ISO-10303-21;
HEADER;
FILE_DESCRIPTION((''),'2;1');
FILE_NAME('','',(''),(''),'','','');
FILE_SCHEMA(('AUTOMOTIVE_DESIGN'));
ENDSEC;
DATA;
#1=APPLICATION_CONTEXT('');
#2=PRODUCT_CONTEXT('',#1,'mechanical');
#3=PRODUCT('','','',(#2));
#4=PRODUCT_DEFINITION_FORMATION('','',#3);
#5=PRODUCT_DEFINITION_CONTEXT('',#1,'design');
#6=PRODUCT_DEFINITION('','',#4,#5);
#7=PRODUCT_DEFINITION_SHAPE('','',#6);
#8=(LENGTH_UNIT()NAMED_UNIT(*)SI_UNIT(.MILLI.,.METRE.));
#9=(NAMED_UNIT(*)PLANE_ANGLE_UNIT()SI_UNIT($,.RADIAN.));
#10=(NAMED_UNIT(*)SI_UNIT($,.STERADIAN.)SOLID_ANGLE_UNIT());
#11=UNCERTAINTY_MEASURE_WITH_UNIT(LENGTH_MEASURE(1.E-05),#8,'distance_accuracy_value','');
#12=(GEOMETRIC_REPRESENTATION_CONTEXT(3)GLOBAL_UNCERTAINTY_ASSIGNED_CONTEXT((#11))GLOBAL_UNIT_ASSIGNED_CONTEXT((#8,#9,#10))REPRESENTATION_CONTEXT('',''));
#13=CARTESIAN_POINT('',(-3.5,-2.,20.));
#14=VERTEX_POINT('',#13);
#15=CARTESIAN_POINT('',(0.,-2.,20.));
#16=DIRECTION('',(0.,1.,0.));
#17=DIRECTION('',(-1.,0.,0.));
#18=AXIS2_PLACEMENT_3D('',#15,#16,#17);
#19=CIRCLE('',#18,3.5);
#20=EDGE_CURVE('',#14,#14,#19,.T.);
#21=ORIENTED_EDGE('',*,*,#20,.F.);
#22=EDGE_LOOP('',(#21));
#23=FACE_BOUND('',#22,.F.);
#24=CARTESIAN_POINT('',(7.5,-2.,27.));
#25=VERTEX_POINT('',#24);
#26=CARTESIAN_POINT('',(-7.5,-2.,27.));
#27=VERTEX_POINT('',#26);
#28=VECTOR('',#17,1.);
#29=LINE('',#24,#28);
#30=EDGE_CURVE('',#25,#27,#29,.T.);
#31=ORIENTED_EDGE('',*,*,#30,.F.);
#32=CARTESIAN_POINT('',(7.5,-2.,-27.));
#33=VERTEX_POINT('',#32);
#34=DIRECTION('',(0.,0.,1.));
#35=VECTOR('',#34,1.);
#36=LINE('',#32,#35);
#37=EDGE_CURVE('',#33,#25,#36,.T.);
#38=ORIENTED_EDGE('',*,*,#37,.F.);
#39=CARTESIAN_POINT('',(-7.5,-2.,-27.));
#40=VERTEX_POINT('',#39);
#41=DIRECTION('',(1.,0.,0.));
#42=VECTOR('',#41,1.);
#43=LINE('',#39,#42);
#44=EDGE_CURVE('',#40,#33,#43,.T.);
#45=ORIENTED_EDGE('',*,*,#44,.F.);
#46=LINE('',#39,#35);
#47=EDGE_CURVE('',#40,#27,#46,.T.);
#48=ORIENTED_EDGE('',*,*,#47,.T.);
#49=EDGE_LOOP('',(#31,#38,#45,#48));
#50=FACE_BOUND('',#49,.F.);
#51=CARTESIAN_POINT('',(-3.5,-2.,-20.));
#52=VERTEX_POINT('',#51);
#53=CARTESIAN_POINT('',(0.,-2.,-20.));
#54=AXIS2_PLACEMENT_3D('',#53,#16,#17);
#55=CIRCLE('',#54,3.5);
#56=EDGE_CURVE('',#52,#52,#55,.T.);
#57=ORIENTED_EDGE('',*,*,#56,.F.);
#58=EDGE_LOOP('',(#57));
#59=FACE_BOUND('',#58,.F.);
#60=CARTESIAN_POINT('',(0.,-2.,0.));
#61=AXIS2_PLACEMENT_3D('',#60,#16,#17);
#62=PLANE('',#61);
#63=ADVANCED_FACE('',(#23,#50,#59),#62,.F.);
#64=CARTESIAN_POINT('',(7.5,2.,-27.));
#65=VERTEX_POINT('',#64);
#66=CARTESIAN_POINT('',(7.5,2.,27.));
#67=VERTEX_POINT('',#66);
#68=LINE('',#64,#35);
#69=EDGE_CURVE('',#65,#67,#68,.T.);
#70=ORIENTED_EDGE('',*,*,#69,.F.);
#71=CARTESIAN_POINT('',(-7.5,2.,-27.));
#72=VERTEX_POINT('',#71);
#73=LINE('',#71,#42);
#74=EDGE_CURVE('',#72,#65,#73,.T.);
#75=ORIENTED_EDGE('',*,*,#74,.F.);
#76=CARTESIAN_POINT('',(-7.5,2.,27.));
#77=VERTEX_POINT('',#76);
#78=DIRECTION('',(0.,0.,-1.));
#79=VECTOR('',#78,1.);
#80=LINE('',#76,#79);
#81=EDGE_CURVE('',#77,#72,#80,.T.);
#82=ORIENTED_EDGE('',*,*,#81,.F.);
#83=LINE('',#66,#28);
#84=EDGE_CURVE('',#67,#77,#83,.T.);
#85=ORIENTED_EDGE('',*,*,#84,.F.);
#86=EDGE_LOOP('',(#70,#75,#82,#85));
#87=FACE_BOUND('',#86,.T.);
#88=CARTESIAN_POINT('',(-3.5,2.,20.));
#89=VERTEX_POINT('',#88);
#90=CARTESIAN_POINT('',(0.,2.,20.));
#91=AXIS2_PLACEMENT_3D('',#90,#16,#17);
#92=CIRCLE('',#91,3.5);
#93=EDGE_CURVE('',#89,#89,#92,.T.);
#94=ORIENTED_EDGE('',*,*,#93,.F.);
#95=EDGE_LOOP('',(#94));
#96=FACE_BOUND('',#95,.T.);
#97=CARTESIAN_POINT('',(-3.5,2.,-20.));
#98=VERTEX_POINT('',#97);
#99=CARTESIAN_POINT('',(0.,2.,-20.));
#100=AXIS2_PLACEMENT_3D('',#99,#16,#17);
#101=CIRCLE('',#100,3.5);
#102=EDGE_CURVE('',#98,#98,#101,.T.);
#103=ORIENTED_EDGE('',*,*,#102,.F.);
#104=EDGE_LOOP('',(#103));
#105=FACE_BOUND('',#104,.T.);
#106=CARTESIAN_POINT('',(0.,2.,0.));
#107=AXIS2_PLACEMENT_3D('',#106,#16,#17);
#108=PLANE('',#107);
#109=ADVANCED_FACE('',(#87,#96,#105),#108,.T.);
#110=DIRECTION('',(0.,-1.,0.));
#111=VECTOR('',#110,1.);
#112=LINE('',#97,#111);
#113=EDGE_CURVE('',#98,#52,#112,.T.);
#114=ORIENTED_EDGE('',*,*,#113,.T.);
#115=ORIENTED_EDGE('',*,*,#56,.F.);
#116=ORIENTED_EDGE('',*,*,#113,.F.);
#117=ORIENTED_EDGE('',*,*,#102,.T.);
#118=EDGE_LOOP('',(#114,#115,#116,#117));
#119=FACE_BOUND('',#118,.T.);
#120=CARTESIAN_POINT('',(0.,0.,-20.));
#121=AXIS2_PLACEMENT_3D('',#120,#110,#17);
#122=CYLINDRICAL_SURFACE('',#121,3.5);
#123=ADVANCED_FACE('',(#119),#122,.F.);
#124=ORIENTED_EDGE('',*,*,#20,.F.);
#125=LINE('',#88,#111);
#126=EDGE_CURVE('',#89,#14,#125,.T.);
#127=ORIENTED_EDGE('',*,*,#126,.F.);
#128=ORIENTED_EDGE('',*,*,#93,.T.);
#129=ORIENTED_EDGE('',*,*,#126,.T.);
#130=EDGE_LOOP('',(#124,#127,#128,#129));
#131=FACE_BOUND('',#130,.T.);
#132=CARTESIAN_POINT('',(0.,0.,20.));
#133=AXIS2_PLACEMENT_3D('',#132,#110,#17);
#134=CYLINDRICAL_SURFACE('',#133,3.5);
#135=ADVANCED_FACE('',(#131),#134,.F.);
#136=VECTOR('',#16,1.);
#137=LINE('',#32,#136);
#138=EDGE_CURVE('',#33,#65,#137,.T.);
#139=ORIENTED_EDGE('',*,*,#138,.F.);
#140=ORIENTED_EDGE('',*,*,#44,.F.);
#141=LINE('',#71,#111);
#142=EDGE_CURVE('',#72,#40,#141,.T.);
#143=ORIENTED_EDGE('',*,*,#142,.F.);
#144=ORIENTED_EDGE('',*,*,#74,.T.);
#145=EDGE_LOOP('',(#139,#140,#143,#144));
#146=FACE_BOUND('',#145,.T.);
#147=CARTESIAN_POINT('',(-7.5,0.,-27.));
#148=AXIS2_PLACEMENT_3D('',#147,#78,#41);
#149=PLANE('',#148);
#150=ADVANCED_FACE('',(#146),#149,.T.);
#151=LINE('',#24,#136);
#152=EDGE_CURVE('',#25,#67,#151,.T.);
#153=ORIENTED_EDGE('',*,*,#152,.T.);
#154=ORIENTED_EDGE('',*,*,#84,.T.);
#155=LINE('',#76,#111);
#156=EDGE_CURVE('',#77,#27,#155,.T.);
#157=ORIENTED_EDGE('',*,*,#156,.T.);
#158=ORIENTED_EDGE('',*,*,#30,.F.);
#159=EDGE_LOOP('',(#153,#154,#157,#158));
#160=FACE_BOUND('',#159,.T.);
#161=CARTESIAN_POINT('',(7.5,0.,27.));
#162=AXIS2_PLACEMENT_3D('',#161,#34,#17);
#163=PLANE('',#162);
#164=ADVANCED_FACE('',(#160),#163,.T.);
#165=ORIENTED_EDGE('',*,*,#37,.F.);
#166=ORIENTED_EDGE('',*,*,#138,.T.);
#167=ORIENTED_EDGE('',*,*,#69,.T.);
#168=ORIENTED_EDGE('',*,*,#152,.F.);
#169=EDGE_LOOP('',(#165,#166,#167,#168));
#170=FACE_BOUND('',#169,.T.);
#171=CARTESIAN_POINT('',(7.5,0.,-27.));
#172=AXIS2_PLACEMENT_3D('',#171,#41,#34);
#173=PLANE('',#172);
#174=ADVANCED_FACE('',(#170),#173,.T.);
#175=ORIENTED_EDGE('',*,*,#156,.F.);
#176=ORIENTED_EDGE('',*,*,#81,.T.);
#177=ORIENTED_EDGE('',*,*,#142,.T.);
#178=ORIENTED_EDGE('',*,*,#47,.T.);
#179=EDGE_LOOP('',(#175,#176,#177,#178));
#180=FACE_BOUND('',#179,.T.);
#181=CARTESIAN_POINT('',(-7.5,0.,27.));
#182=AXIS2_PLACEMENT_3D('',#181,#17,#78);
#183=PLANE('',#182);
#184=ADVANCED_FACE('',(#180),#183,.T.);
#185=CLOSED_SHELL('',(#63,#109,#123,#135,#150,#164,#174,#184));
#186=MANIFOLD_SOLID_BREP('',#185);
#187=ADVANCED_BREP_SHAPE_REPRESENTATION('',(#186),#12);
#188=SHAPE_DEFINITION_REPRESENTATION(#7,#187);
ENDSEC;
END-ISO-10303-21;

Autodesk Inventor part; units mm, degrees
ref_plane "YZ Plane" through (0, 0, 0) normal (1, 0, 0) x (0, 1, 0)
ref_plane "XZ Plane" through (0, 0, 0) normal (0, 1, 0) x (-1, 0, 0)
ref_plane "XY Plane" through (0, 0, 0) normal (0, 0, 1) x (1, 0, 0)
sketch "Sketch1" plane through (0, 0, 0) normal (0, 1, 0) x (-1, 0, 0)
  line L0 (-7.5, 27) -> (7.5, 27)
  line L1 (7.5, 27) -> (7.5, -27)
  line L2 (7.5, -27) -> (-7.5, -27)
  line L3 (-7.5, -27) -> (-7.5, 27)
  line L4 (-7.5, 27) -> (7.5, -27) construction
  line L5 (7.5, 27) -> (-7.5, -27) construction
  circle A0 centre (0, -20) radius 3.5
  circle A1 centre (0, 20) radius 3.5
  line L6 (7.5, 0) -> (0, 0)
  point P0 (0, 0)
  dimension "d0" = 7
  dimension "d1" = 15
  dimension "d2" = 54
  dimension "d3" = 40
extrude "Extrusion1" add sketch "Sketch1" along normal mid plane 4
properties part number "Планка" material "Stainless Steel"
